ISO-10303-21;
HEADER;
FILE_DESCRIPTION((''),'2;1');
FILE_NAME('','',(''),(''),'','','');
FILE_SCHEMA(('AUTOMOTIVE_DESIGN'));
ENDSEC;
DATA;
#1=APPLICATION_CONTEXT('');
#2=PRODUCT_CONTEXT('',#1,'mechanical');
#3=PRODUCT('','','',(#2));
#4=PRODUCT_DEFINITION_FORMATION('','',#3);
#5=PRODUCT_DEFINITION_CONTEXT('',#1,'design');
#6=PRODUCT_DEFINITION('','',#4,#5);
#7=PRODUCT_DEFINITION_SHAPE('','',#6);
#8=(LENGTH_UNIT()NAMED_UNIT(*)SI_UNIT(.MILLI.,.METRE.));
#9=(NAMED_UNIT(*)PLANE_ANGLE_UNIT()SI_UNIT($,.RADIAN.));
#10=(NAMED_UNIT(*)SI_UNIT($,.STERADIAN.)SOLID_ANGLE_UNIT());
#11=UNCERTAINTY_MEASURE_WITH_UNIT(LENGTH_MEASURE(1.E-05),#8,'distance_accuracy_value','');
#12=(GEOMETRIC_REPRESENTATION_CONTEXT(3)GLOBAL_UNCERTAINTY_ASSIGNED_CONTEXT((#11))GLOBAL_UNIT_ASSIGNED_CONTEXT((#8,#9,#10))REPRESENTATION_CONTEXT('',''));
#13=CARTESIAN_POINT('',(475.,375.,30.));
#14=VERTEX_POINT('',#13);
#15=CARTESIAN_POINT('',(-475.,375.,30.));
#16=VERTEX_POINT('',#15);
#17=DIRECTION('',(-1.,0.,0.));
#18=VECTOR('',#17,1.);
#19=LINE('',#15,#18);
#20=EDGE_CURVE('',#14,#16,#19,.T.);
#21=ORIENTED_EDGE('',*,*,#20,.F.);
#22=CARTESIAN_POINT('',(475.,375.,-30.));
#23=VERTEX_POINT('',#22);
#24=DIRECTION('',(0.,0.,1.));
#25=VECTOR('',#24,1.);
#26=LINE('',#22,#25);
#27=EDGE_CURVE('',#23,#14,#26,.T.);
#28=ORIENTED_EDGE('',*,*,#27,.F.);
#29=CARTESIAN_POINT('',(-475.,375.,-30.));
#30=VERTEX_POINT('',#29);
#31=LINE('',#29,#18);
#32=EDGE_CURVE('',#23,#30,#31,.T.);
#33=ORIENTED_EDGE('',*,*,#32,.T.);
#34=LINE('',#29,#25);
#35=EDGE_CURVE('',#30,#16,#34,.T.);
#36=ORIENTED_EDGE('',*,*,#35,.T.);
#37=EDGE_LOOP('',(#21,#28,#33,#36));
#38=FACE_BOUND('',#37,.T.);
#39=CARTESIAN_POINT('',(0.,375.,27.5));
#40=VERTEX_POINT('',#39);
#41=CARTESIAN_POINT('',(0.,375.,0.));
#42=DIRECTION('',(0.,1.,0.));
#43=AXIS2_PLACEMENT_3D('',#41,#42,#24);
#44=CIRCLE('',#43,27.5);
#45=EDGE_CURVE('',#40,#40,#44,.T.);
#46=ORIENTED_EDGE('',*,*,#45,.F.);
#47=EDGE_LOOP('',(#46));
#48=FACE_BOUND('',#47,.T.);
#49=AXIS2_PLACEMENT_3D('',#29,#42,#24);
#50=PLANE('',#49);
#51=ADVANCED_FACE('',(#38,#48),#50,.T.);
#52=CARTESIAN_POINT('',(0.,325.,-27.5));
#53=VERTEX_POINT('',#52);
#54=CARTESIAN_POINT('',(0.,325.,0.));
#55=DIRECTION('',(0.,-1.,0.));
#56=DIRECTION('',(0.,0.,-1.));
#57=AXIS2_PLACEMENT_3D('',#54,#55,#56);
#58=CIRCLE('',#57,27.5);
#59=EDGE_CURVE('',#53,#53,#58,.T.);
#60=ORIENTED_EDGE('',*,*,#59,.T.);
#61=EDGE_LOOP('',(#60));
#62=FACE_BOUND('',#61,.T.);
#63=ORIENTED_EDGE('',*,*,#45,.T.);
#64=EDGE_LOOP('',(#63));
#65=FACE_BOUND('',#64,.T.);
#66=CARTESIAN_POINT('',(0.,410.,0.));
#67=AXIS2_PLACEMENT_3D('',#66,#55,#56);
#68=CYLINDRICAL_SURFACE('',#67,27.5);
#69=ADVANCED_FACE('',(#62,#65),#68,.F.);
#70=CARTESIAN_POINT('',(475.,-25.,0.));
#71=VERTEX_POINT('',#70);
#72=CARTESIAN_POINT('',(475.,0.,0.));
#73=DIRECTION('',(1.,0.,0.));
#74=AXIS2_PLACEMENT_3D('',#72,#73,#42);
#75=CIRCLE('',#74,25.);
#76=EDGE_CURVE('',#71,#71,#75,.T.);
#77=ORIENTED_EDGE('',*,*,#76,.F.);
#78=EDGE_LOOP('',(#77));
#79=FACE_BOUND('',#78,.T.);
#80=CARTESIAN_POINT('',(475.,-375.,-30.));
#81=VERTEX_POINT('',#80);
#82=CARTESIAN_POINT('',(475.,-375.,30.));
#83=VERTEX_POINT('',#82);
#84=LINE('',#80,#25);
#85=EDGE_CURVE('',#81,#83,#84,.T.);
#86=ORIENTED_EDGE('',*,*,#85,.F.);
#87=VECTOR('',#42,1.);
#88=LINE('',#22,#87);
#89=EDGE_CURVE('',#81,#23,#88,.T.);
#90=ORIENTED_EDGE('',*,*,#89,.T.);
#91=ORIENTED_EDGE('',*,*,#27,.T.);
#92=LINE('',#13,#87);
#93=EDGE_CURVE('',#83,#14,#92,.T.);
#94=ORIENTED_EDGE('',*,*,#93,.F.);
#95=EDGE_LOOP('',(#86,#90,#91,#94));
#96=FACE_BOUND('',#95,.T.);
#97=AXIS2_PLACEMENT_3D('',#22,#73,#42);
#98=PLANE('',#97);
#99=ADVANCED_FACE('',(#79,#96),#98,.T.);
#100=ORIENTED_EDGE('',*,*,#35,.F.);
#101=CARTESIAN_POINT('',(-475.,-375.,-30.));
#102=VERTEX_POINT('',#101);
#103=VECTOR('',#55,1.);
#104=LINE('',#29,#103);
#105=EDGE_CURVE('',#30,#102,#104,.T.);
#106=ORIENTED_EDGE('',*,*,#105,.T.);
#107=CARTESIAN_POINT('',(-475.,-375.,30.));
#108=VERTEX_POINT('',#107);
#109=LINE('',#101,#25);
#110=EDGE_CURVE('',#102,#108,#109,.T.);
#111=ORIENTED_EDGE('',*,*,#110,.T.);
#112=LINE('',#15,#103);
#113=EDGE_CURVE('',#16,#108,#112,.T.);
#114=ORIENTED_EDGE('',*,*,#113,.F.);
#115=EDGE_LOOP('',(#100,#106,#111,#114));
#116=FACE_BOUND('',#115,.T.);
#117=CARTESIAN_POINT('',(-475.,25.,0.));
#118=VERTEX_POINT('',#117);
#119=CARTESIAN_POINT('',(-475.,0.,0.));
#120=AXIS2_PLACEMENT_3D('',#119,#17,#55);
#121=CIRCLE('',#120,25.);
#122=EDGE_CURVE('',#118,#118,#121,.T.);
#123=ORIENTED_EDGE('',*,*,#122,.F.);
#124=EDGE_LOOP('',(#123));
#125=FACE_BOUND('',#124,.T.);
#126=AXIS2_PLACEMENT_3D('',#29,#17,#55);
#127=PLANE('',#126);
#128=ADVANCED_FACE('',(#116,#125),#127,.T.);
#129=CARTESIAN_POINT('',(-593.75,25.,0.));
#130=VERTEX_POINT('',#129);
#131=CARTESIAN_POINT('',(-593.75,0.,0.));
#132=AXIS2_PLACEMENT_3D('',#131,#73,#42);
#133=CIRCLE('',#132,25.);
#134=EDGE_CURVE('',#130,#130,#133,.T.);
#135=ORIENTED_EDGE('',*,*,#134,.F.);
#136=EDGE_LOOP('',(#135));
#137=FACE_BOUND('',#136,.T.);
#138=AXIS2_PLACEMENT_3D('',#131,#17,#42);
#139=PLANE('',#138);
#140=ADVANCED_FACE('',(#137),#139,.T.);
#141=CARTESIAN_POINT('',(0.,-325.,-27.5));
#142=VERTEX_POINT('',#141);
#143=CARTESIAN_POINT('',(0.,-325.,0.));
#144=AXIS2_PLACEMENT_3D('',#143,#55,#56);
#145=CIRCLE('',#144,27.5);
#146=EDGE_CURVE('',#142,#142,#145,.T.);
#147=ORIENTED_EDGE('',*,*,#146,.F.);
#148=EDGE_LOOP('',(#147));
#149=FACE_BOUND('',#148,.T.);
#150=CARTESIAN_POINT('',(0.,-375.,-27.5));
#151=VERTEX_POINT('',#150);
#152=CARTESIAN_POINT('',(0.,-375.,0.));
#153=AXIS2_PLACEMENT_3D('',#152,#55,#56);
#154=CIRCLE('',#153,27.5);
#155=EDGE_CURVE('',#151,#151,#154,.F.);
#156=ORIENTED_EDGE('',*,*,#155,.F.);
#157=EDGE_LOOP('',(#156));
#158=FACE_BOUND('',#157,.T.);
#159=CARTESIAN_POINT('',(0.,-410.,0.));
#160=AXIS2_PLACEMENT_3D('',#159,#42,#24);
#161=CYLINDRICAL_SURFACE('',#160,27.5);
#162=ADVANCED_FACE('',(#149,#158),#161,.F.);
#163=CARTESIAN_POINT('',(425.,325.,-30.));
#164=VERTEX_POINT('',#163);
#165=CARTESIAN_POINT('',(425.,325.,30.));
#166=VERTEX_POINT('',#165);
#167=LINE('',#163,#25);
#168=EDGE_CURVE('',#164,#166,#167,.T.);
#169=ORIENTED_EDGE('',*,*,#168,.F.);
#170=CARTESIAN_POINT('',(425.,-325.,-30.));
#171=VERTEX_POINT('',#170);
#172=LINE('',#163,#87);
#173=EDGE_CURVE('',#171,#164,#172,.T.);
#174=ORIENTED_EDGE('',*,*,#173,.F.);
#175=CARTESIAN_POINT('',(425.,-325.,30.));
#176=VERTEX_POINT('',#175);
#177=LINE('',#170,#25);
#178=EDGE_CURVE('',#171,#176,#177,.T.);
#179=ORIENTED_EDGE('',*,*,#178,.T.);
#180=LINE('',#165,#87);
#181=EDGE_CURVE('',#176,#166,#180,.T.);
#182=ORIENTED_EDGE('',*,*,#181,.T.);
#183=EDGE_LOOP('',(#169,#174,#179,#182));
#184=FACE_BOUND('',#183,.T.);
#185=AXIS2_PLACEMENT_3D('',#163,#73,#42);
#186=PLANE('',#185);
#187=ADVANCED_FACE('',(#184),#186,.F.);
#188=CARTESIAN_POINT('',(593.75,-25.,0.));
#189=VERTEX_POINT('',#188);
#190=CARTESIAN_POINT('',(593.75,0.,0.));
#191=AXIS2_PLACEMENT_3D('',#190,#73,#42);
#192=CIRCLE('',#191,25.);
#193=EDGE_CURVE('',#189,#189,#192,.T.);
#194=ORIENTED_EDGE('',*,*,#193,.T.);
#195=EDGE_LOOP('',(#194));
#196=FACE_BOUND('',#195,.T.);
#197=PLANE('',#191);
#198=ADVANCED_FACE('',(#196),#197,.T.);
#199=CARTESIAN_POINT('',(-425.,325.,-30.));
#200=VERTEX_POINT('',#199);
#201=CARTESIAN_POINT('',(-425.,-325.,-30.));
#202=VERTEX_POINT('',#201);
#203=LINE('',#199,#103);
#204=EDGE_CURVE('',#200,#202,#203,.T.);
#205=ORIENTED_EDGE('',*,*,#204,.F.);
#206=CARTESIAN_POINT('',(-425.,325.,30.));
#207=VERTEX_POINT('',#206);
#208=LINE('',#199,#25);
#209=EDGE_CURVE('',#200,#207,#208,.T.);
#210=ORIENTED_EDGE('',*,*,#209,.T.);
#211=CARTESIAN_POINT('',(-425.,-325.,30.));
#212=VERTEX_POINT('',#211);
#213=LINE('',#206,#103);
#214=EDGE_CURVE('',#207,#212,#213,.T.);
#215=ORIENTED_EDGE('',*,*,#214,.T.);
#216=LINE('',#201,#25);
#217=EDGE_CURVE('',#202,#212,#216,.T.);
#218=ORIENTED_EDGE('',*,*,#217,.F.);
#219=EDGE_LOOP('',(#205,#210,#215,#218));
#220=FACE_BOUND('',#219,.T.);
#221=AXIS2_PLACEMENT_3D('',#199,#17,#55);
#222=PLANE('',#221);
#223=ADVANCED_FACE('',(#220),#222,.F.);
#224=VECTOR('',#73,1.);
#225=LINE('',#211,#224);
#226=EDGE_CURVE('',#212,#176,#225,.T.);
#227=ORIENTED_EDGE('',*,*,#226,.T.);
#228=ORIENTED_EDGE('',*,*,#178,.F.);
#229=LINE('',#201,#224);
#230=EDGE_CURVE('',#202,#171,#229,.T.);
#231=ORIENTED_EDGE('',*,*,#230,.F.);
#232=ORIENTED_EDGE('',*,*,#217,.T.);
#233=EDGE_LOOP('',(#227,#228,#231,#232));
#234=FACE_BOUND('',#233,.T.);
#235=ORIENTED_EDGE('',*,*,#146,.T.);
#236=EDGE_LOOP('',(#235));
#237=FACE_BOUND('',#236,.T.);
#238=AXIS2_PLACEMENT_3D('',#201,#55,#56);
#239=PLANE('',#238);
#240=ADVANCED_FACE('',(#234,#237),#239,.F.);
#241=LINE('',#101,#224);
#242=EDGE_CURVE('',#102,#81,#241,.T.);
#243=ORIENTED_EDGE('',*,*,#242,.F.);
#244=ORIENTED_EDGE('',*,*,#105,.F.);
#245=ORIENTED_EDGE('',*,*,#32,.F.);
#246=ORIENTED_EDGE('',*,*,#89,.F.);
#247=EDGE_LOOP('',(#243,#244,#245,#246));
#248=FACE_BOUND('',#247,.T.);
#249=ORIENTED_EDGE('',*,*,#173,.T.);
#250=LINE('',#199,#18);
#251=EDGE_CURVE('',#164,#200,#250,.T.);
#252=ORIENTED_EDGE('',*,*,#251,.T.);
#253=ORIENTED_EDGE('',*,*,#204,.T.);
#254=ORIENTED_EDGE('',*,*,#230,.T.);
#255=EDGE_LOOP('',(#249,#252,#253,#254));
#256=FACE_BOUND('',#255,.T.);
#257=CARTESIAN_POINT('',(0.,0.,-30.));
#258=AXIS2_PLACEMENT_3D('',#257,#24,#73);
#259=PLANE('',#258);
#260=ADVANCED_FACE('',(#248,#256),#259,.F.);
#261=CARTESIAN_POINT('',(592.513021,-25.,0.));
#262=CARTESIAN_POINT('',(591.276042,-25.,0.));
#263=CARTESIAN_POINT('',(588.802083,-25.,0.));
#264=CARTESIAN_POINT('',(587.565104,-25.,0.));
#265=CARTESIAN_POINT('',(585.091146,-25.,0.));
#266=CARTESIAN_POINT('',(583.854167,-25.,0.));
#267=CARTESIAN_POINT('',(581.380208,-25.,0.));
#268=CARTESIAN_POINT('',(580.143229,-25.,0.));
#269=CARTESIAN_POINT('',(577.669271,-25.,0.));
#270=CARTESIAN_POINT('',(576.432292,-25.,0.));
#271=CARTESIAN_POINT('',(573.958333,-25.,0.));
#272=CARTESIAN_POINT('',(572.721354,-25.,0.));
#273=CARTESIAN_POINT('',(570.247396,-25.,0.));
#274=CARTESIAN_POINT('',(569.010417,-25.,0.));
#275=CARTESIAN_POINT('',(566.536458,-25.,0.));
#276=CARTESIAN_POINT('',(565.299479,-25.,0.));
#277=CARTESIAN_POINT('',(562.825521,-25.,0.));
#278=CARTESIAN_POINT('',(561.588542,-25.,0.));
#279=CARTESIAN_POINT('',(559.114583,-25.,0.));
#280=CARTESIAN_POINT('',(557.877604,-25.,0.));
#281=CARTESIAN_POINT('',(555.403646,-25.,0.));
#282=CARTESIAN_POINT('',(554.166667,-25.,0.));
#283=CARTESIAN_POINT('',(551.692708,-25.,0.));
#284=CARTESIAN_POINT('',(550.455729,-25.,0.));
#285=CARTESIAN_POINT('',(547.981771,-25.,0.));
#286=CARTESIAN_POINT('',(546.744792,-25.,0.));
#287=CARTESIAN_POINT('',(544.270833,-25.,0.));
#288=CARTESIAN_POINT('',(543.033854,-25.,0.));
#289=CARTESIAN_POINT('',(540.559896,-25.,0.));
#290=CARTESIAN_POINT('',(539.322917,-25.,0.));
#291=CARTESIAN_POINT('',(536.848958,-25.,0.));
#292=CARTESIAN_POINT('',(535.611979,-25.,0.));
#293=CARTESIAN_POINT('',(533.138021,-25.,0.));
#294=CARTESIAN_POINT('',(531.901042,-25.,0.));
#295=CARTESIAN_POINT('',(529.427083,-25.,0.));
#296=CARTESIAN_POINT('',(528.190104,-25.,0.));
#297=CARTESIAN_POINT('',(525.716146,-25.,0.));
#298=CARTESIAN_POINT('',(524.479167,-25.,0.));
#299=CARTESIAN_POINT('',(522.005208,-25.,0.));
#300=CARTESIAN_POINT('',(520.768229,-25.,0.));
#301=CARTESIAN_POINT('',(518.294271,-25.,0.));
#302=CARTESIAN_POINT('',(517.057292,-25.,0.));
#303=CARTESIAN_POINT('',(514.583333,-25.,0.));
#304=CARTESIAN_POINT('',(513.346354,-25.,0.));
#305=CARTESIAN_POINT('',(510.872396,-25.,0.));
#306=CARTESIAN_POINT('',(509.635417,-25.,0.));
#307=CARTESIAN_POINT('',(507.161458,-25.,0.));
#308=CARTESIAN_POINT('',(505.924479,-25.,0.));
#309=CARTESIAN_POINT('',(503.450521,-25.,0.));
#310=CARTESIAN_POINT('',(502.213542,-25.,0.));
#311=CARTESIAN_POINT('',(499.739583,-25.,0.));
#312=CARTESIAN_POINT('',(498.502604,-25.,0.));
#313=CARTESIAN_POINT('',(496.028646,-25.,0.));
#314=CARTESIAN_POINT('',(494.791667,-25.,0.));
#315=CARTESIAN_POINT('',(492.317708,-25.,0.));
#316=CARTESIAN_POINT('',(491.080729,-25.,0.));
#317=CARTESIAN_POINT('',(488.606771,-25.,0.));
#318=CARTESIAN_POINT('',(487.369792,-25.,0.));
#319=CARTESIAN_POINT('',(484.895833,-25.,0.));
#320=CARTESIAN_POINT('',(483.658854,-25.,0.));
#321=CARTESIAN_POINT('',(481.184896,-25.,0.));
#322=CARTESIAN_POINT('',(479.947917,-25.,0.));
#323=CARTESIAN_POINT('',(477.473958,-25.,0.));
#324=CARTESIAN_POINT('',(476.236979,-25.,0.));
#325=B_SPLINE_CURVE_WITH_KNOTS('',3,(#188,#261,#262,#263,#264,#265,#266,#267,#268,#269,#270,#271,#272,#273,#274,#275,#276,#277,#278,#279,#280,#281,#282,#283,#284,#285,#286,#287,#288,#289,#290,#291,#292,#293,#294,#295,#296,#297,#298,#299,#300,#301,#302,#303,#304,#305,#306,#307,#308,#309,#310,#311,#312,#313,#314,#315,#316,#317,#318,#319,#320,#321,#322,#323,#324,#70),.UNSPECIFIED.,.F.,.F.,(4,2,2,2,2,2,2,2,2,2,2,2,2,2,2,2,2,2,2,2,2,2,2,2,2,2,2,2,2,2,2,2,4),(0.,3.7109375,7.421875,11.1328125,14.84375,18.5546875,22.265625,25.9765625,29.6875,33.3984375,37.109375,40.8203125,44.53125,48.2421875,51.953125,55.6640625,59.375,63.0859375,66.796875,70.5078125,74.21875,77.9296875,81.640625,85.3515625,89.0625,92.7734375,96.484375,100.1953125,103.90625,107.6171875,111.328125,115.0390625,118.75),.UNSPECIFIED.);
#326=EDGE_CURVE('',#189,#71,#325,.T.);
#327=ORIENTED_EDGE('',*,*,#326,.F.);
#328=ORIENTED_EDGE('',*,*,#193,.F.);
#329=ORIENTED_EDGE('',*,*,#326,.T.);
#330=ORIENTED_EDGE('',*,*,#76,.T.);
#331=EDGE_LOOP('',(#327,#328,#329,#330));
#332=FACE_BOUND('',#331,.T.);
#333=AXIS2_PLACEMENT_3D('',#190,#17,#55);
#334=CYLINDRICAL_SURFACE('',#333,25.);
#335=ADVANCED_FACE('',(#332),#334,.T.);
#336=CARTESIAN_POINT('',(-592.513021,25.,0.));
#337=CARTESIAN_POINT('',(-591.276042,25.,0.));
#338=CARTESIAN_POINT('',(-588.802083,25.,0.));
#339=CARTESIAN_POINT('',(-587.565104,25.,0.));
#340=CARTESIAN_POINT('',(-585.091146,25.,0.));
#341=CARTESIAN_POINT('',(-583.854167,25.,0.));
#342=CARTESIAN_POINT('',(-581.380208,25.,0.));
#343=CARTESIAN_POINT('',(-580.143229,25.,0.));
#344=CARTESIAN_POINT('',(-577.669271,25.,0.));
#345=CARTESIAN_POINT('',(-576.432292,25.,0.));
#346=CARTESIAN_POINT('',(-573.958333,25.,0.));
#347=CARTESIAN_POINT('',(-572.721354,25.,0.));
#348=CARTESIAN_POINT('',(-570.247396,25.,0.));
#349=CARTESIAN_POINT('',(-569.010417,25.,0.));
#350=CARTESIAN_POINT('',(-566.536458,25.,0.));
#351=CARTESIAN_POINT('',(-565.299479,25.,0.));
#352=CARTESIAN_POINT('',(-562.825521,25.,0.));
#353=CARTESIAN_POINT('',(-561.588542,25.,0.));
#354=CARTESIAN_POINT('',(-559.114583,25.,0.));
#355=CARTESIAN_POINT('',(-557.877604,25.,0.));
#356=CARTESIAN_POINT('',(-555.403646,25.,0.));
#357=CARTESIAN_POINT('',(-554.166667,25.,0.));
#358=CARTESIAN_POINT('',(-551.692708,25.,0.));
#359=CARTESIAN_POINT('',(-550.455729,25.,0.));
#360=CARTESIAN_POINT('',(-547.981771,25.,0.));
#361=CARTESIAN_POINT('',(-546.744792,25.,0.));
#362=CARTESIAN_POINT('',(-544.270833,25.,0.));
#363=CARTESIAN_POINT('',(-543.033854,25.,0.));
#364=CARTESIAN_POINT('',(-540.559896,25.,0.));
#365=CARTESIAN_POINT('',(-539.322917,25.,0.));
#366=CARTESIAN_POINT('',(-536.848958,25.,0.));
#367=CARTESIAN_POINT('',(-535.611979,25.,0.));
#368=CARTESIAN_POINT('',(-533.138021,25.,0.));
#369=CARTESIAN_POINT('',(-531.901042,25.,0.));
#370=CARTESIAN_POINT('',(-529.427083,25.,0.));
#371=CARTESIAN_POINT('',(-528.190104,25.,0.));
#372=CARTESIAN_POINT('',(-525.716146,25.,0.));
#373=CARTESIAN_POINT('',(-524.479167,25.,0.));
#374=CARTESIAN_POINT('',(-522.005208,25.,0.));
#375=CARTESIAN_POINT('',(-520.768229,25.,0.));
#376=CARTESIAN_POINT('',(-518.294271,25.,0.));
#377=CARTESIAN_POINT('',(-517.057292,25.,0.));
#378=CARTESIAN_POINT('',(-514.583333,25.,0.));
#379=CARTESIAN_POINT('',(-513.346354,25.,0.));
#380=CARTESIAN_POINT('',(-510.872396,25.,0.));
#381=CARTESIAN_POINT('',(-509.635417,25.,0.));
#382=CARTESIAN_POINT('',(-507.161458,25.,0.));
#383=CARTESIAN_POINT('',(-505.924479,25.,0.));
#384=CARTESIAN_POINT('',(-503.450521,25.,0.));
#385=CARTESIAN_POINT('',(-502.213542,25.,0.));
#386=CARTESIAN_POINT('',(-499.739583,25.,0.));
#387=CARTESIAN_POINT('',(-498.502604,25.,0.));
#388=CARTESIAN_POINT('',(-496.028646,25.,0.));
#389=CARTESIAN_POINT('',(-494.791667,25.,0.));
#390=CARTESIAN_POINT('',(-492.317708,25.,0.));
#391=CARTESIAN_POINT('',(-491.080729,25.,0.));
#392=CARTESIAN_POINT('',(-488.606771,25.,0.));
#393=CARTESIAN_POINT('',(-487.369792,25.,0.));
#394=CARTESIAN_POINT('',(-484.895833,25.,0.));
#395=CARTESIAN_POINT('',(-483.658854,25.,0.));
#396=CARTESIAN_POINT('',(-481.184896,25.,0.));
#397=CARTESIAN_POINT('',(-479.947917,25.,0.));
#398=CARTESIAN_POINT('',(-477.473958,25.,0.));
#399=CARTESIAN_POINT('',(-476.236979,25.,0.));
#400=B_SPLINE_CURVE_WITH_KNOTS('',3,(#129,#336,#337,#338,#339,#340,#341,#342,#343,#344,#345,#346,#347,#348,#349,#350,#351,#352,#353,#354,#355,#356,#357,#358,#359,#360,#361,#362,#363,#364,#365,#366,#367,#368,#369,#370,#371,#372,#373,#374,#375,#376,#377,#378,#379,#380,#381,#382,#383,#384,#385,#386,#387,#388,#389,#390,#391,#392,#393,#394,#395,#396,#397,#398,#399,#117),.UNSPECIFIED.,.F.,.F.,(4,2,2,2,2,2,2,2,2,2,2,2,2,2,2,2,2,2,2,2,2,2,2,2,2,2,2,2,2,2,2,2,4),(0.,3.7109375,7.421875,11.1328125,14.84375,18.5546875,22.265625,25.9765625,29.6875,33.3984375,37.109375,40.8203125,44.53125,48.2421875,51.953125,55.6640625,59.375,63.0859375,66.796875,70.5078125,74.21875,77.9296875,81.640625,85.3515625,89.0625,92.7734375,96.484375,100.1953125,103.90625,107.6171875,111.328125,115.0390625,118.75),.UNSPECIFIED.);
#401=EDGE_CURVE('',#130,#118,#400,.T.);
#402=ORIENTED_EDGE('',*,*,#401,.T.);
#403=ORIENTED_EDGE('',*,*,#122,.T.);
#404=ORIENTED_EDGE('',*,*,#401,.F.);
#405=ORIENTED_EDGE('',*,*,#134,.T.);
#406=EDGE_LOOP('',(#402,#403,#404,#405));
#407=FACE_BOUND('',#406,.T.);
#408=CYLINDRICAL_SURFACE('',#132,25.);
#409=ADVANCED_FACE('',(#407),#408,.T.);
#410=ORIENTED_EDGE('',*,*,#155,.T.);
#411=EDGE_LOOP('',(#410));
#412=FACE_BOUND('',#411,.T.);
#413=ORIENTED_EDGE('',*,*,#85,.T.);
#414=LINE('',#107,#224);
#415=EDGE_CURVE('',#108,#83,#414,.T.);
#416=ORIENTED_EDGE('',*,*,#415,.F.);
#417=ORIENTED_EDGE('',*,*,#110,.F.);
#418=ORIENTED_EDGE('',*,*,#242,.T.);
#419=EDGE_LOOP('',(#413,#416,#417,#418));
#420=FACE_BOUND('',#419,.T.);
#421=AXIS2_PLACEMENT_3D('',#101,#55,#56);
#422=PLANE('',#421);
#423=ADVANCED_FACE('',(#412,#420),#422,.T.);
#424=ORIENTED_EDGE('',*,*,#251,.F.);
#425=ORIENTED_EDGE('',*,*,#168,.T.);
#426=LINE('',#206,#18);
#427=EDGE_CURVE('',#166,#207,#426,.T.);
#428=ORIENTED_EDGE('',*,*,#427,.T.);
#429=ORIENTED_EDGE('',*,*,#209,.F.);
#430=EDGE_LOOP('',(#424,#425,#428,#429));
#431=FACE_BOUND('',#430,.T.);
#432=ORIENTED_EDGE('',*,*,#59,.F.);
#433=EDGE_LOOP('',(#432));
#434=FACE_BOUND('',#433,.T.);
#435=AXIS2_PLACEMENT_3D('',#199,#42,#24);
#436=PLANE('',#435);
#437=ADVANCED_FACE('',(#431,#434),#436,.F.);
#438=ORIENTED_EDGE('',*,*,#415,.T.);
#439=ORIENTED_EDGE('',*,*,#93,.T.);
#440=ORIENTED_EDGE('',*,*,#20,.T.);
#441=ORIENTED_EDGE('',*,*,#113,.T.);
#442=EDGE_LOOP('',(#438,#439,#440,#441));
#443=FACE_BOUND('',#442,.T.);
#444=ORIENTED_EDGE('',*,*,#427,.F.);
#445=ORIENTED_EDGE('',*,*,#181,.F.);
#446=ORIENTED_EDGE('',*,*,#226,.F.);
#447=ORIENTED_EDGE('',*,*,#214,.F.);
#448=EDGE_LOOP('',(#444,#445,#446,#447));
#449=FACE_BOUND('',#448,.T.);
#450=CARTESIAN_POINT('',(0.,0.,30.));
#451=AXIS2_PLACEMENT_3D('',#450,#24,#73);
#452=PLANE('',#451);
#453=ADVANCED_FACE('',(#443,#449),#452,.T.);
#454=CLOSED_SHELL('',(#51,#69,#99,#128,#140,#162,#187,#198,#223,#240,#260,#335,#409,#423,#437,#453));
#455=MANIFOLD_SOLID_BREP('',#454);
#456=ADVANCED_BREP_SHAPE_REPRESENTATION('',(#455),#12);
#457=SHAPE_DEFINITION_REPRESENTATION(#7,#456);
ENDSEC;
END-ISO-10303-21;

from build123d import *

# Parameters (mm, degrees)
BOSS_EXTRUDE1_DEPTH      = 30
BOSS_EXTRUDE1_DEPTH_BACK = 30
SKETCH1_W                = 950
SKETCH1_H                = 750
SKETCH1_W_2              = 850
SKETCH1_H_2              = 650
SKETCH3_R                = 25
BOSS_EXTRUDE2_DEPTH      = 118.75
SKETCH4_R                = 27.5
CUT_EXTRUDE2_DEPTH       = 85


with BuildPart() as part:
    # Sketch1 → Boss-Extrude1 (new, two sides: drawn at the far end of the back side and taken through both)
    with BuildSketch(Plane.XY.offset(-BOSS_EXTRUDE1_DEPTH_BACK)):
        Rectangle(SKETCH1_W, SKETCH1_H)
        Rectangle(SKETCH1_W_2, SKETCH1_H_2, mode=Mode.SUBTRACT)
    extrude(amount=BOSS_EXTRUDE1_DEPTH + BOSS_EXTRUDE1_DEPTH_BACK)

    # Sketch3 → Boss-Extrude2 (add)
    with BuildSketch(Plane(origin=(475, 0, 0), x_dir=(0, 0, -1), z_dir=(1, 0, 0))):
        Circle(SKETCH3_R)
    boss_extrude2 = extrude(amount=BOSS_EXTRUDE2_DEPTH)

    # Mirror2: Boss-Extrude2 across plane
    add(boss_extrude2.mirror(Plane(origin=(0, 0, 0), x_dir=(0, 0, 1), z_dir=(1, 0, 0))))

    # Sketch4 → Cut-Extrude2 (cut)
    with BuildSketch(Plane.XZ.offset(-325)):
        Circle(SKETCH4_R)
    cut_extrude2 = extrude(amount=-CUT_EXTRUDE2_DEPTH, mode=Mode.SUBTRACT)

    # Mirror3: Cut-Extrude2 across plane
    add(cut_extrude2.mirror(Plane.ZX), mode=Mode.SUBTRACT)


solid = part.part
